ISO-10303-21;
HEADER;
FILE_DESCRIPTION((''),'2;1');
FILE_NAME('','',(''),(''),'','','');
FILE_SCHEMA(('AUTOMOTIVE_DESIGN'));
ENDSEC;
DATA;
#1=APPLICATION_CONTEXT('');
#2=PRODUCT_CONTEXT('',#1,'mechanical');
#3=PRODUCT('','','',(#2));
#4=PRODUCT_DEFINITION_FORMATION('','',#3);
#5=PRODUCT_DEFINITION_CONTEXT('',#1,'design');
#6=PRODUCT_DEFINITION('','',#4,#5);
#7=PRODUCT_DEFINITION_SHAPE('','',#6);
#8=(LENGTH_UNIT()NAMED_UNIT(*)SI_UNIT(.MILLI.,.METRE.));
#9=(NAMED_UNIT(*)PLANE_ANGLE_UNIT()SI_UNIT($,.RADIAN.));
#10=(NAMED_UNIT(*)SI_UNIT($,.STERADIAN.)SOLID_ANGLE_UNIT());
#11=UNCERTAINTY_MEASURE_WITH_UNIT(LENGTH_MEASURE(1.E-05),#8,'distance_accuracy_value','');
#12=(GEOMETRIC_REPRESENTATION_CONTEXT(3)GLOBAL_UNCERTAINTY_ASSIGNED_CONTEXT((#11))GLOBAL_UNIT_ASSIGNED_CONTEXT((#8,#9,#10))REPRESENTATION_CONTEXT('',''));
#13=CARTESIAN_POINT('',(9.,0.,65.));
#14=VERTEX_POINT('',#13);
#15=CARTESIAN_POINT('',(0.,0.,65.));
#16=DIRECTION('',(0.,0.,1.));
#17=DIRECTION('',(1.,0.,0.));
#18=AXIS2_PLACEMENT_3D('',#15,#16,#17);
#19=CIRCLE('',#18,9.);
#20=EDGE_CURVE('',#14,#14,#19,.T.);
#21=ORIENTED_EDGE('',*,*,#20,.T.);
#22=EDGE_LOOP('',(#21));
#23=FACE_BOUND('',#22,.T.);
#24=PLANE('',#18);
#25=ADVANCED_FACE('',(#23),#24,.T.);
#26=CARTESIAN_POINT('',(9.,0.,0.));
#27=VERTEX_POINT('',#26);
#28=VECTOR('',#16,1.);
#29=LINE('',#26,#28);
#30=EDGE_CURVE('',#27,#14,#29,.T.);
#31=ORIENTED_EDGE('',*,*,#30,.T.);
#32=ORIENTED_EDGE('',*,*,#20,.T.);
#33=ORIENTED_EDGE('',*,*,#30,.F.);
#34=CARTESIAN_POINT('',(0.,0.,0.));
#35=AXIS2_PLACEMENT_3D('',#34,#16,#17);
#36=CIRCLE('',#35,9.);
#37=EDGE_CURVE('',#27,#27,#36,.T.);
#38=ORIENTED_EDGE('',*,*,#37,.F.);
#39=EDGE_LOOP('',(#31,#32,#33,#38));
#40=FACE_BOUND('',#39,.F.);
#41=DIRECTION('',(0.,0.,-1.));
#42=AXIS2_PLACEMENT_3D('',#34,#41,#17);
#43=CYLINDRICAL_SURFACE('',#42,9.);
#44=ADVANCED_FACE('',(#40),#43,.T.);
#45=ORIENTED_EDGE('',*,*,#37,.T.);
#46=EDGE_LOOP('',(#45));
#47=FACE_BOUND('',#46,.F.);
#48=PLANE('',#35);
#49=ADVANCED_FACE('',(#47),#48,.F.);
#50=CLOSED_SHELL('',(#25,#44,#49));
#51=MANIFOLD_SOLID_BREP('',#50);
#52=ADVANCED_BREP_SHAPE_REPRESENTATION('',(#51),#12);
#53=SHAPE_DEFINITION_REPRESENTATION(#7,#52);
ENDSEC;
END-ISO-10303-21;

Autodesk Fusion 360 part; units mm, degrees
sketch "Sketch1" plane through (0, 0, 0) normal (0, 0, 1) x (1, 0, 0)
  circle A0 centre (0, 0) radius 9
  dimension "d1" = 18
extrude "Extrude1" add sketch "Sketch1" along normal blind 65
